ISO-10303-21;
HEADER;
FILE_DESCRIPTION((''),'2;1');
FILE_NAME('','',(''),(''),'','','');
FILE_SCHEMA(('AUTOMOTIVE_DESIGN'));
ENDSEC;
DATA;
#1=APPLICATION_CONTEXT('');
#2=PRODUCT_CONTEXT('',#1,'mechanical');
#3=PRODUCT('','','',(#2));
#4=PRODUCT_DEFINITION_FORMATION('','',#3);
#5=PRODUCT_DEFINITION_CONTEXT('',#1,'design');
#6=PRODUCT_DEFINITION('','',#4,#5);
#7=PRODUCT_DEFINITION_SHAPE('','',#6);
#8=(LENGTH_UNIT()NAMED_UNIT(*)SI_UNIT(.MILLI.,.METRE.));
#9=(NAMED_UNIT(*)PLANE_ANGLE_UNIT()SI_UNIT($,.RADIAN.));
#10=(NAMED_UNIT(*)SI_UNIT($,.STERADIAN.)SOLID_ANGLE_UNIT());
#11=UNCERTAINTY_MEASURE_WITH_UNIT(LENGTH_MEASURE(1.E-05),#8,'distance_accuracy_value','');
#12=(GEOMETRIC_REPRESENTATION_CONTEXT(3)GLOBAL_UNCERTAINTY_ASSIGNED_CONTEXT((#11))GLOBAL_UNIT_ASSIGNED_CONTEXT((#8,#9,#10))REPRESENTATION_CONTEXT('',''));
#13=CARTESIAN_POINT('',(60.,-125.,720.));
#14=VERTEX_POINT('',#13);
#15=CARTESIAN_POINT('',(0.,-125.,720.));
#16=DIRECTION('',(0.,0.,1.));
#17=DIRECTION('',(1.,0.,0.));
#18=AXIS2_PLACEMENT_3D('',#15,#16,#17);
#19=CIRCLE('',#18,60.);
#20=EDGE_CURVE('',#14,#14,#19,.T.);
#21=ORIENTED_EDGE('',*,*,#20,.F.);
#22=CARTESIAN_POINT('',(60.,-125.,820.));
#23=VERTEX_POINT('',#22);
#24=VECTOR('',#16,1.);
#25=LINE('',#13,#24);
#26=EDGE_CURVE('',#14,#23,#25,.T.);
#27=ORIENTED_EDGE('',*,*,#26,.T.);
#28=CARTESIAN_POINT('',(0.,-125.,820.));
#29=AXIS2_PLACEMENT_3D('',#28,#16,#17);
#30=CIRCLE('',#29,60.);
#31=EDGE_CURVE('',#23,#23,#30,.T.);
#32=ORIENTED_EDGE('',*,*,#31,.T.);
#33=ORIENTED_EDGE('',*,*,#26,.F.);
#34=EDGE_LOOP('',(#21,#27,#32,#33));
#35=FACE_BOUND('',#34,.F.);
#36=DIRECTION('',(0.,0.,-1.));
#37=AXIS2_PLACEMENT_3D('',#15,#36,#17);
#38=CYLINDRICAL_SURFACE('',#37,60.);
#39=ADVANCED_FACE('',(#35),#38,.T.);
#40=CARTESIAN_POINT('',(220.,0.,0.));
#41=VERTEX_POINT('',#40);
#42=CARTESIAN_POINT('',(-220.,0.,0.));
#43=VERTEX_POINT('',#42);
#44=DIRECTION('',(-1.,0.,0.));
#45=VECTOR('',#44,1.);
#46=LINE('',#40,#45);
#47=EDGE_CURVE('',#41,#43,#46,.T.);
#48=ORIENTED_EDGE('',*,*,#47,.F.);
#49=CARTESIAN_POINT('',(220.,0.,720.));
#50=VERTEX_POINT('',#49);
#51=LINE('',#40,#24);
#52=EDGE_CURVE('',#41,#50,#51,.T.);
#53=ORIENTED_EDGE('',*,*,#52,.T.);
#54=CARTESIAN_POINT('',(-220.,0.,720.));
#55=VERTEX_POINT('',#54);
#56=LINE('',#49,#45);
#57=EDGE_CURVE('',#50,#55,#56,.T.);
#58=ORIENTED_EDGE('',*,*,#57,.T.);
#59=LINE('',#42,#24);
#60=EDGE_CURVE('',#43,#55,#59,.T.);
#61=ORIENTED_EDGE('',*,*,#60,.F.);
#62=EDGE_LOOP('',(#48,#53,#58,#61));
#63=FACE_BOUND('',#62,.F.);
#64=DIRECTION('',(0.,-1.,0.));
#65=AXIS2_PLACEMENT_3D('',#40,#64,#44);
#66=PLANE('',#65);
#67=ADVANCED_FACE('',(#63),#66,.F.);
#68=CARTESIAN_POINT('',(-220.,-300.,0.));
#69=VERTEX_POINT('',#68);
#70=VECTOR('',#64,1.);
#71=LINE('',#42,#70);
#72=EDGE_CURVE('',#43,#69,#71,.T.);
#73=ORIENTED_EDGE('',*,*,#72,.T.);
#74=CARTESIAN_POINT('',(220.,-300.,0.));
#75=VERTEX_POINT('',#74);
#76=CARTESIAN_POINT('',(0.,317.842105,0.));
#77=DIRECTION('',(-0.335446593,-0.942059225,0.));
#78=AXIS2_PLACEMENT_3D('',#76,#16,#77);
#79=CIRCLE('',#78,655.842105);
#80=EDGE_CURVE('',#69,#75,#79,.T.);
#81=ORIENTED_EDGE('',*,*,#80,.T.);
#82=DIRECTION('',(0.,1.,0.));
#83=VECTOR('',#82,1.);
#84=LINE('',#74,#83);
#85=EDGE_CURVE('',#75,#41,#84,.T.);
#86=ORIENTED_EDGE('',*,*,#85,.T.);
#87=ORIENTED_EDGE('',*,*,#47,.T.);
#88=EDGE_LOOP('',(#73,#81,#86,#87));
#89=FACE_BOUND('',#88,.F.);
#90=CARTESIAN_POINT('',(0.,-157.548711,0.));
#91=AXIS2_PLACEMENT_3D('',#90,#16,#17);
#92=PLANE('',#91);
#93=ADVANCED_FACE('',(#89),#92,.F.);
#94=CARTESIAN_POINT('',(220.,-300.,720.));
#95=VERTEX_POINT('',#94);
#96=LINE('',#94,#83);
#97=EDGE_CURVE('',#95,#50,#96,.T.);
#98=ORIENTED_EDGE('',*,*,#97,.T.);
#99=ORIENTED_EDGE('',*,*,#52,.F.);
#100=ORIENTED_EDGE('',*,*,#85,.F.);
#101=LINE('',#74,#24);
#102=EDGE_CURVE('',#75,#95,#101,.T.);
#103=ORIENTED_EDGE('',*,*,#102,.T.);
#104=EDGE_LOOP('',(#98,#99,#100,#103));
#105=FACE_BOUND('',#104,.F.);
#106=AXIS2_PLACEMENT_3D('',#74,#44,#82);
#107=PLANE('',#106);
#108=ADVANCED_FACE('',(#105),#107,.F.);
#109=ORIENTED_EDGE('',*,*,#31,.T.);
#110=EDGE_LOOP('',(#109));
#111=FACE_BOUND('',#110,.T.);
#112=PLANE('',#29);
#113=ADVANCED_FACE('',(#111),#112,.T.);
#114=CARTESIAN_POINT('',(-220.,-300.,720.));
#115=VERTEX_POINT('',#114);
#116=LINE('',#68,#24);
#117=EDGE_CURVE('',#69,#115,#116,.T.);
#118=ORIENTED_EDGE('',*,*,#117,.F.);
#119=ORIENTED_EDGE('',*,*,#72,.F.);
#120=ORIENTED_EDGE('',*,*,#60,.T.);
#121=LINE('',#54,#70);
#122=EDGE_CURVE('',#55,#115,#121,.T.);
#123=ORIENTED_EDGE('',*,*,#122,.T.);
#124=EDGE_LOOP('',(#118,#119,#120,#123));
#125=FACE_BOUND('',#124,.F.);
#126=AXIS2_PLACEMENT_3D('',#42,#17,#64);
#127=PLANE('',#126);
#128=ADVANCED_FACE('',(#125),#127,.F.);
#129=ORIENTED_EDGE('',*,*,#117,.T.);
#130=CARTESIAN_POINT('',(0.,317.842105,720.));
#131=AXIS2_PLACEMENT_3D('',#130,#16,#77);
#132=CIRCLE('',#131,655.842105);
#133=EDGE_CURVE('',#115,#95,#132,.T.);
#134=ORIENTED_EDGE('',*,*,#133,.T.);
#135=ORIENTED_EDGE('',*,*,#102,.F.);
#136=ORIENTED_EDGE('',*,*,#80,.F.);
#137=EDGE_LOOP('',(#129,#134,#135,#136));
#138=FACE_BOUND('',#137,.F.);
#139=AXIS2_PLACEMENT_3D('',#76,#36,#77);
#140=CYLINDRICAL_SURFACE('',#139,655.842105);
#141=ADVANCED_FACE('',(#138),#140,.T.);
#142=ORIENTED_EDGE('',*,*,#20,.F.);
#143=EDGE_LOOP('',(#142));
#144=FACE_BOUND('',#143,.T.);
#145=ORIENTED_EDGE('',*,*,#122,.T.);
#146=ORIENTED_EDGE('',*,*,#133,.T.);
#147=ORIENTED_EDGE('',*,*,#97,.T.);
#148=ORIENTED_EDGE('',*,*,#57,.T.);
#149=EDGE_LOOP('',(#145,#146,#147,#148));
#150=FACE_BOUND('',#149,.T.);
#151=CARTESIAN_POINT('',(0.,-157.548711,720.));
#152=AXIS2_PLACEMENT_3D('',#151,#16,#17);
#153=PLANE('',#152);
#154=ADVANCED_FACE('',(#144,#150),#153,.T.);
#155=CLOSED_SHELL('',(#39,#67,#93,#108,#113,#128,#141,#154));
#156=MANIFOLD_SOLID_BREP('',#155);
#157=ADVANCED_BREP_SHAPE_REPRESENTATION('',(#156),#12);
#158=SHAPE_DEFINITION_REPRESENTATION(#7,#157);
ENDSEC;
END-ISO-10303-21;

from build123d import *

# Parameters (mm, degrees)
F1_DEPTH = 720
F2_R     = 60
F3_DEPTH = 100


with BuildPart() as f1:
    # F0 (on Top) → F1 (new body)
    with BuildSketch(Plane.XY):
        with BuildLine():
            Line((-220, 0), (-220, -300))
            ThreePointArc((-220, -300), (0, -338), (220, -300))
            Line((220, -300), (220, 0))
            Line((220, 0), (-220, 0))
        make_face()
    extrude(amount=F1_DEPTH)

    # F2 (on face) → F3 (join)
    with BuildSketch(Plane.XY.offset(720)):
        with Locations((0, -125)):
            Circle(F2_R)
    extrude(amount=F3_DEPTH)


solid = f1.part
